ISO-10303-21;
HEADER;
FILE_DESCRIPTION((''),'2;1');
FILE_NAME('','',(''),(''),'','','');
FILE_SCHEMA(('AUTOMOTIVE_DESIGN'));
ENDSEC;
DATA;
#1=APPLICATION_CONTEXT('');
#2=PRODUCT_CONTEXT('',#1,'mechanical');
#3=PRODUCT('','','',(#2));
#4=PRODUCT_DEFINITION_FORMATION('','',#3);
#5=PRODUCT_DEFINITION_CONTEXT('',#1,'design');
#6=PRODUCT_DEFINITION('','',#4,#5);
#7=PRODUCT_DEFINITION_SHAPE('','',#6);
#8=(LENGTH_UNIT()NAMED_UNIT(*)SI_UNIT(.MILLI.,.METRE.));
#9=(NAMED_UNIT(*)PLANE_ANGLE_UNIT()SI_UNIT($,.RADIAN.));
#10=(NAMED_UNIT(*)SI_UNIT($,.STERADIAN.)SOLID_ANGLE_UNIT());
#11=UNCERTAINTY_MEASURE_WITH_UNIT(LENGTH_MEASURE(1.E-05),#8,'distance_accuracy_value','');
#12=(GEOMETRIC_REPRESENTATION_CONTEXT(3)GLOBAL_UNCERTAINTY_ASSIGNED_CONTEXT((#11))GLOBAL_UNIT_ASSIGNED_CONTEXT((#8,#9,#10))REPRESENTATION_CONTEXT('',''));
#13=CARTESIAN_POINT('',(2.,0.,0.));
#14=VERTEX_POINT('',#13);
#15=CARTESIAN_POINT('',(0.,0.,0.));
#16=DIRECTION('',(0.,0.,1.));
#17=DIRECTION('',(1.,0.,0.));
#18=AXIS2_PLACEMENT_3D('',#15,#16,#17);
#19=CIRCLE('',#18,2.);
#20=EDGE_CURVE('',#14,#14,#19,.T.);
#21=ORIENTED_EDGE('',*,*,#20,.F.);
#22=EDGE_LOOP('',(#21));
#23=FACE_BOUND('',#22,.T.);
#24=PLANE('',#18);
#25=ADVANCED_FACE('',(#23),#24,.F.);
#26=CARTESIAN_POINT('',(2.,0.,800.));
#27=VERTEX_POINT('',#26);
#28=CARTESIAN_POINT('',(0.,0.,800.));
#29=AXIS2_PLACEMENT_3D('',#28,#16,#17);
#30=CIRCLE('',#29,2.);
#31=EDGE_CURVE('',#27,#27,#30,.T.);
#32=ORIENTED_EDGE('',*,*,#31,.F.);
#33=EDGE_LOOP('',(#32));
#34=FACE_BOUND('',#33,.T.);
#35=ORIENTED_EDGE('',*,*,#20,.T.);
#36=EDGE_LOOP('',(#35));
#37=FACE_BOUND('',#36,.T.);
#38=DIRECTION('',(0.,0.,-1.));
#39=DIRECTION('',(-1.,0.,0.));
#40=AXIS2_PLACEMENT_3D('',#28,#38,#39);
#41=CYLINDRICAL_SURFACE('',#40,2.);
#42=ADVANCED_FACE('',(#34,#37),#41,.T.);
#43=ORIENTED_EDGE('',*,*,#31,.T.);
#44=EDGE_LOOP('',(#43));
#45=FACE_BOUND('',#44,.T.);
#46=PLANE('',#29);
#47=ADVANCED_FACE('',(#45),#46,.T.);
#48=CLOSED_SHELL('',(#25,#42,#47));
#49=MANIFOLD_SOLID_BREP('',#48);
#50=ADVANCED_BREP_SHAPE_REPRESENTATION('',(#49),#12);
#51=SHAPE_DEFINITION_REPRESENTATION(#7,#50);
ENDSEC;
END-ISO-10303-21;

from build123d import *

# Parameters (mm, degrees)
ESQUISSE1_R        = 2
BOSS_EXTRU_1_DEPTH = 800


with BuildPart() as part:
    # Esquisse1 → Boss.-Extru.1 (new body)
    with BuildSketch(Plane.XY):
        Circle(ESQUISSE1_R)
    extrude(amount=BOSS_EXTRU_1_DEPTH)


solid = part.part
